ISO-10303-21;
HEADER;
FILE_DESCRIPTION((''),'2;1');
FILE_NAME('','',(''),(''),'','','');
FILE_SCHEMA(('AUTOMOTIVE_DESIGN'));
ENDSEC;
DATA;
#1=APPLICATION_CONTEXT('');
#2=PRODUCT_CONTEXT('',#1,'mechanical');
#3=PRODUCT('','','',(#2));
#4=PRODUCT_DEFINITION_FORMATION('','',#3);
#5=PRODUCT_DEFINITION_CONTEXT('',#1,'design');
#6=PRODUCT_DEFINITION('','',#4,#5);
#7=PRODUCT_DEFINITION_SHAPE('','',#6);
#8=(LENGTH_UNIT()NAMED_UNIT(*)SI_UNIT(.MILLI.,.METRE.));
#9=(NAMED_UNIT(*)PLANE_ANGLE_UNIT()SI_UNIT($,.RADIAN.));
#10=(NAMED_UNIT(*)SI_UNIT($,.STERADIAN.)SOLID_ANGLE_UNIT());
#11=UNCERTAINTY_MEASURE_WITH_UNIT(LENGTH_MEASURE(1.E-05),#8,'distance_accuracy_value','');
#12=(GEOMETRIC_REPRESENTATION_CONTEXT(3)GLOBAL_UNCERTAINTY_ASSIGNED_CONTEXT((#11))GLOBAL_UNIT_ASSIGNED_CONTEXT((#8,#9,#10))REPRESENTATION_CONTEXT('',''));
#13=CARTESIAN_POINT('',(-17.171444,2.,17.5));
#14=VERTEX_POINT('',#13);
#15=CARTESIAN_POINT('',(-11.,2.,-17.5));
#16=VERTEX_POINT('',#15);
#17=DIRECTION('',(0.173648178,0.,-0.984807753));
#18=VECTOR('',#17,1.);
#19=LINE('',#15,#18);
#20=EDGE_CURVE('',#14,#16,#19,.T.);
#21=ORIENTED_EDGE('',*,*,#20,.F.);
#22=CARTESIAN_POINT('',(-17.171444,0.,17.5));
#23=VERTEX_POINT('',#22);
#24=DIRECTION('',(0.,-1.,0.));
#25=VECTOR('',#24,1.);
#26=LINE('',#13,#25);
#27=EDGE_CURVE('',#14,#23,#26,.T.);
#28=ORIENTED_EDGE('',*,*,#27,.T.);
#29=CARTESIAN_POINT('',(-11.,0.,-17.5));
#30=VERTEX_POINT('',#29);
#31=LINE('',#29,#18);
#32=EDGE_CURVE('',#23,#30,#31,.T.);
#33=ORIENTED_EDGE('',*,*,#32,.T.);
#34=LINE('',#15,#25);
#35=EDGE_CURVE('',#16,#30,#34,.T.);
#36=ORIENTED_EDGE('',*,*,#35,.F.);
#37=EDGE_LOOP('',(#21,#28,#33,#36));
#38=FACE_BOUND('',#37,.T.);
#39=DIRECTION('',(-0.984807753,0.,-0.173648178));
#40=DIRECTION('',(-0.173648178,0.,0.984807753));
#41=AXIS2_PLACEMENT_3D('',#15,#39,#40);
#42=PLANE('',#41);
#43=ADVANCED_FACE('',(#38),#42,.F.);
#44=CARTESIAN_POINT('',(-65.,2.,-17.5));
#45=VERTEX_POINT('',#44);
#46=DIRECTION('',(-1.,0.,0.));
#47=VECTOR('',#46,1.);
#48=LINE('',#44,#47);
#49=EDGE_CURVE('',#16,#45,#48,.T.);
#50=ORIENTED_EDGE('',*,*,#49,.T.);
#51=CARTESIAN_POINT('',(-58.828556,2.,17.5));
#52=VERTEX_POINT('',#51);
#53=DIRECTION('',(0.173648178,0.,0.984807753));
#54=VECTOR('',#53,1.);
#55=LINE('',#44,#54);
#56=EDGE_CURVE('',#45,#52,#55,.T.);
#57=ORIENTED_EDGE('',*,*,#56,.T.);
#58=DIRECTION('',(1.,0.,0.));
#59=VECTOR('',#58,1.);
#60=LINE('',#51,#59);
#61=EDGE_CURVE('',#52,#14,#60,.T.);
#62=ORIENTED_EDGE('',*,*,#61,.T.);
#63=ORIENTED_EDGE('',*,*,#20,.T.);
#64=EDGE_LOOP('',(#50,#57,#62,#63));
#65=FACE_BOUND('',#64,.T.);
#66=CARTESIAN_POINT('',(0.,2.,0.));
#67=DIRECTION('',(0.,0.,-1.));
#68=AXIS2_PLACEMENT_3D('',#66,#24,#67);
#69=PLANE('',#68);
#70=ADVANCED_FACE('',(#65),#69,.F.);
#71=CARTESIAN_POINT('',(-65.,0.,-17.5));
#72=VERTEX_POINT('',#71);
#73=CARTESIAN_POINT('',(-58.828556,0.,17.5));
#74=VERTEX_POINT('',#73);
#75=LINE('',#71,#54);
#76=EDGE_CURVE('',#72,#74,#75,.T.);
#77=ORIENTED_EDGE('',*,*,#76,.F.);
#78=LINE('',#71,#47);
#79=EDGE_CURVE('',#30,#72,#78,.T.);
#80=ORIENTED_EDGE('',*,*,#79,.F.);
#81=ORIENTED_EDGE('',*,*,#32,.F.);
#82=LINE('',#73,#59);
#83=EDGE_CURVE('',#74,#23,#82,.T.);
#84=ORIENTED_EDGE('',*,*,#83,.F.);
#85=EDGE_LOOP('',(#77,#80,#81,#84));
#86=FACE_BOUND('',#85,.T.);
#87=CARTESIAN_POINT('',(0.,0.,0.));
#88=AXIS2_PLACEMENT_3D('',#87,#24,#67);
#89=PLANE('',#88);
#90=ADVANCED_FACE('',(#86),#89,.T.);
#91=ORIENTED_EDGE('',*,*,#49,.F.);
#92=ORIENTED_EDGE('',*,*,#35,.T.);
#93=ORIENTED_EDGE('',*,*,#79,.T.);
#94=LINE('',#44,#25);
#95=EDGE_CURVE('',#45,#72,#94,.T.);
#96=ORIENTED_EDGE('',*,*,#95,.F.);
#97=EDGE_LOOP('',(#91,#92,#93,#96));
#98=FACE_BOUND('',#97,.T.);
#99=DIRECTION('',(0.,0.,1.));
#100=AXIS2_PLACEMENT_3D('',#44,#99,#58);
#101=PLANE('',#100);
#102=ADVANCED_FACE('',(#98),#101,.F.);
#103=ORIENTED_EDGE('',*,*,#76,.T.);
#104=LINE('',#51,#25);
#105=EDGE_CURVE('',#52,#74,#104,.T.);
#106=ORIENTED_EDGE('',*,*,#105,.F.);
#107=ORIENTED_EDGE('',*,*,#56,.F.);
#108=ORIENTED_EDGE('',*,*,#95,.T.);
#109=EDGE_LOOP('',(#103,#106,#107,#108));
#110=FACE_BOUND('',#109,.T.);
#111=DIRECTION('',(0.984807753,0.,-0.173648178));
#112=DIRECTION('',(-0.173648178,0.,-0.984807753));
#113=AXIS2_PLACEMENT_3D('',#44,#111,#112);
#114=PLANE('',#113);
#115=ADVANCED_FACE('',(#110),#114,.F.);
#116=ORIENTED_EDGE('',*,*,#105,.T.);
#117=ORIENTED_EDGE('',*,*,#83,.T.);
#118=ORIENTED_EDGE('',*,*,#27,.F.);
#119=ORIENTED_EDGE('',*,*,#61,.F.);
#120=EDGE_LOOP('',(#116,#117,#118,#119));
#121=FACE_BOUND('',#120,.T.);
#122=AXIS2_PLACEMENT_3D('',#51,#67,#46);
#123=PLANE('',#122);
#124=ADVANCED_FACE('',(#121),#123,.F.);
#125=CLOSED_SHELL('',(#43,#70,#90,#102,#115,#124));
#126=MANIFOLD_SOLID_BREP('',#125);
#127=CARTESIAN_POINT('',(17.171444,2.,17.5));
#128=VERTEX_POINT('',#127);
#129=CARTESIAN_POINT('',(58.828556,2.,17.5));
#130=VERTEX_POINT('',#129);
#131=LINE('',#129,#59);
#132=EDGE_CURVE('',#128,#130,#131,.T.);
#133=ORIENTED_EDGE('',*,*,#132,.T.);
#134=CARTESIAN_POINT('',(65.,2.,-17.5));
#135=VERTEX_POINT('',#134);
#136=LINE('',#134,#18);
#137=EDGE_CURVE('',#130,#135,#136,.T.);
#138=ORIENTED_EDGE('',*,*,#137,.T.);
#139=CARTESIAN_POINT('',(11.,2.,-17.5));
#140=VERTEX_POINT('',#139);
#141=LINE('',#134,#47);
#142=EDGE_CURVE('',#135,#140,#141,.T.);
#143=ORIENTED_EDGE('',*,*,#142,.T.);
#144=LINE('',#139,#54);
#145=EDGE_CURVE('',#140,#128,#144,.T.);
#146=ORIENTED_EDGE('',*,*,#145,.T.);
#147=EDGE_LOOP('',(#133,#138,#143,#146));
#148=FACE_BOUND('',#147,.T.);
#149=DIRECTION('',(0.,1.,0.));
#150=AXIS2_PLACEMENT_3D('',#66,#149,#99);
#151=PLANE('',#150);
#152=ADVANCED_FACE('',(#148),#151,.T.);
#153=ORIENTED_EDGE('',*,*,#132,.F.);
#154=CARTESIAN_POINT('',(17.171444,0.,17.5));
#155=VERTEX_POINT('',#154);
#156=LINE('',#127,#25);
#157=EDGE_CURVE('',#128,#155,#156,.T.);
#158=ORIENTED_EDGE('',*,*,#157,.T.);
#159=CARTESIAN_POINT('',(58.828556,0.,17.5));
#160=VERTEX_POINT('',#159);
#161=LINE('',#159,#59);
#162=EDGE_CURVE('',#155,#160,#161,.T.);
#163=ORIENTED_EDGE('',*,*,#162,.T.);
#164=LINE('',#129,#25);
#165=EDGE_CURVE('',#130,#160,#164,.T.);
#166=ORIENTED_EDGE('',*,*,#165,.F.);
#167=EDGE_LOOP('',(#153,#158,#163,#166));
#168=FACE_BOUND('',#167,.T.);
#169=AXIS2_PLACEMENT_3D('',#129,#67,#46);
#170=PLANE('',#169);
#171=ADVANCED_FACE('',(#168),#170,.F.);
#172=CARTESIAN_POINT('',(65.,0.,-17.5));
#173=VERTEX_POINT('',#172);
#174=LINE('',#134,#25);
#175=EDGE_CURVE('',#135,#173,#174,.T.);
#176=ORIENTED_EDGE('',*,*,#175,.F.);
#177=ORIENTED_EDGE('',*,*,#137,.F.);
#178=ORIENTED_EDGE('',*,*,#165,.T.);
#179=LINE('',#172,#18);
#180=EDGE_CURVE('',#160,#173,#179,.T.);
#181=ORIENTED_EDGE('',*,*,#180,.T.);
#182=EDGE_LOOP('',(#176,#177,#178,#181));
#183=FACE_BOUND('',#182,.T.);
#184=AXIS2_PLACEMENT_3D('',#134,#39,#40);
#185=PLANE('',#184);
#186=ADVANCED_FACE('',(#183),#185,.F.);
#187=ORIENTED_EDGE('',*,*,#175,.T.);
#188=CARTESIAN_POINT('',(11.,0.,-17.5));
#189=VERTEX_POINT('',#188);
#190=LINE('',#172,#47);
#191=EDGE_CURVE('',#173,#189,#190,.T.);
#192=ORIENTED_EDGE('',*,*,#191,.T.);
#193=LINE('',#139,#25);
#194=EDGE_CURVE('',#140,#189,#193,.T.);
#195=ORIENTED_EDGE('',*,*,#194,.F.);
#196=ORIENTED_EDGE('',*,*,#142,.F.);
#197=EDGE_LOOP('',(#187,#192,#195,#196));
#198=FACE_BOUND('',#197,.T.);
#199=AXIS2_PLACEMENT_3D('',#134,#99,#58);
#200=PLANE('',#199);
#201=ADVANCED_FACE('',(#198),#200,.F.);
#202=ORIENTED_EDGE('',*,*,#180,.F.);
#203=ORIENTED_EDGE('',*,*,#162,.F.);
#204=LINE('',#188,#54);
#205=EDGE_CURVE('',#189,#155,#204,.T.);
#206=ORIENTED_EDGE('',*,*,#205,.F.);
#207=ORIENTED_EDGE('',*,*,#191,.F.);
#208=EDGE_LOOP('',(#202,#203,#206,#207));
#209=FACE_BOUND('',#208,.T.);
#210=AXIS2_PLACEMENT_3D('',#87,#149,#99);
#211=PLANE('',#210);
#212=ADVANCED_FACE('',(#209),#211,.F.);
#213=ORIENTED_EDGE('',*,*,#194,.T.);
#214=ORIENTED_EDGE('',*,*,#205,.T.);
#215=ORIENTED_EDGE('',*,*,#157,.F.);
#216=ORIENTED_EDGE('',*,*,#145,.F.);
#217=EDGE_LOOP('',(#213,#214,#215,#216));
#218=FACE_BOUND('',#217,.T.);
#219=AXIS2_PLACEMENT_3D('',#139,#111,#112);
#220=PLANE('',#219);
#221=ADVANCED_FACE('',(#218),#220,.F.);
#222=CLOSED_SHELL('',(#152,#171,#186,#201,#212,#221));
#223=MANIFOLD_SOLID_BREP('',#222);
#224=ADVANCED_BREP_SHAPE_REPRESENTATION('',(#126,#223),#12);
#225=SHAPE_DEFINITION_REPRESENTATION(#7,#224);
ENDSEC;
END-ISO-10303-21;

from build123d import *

# Parameters (mm, degrees)
EXTRUDE_1_DEPTH   = 2
EXTRUDE_1_2_DEPTH = 2


with BuildPart() as part:
    # 草图1 → 凸台-拉伸1 (new body)
    with BuildSketch(Plane(origin=(0, 0, 0), x_dir=(1, 0, 0), z_dir=(0, 1, 0))):
        Polygon((-65, 17.5), (-58.828555675, -17.5), (-17.171444325, -17.5), (-11, 17.5), align=None)
    extrude(amount=EXTRUDE_1_DEPTH)


with BuildPart() as body_2:
    # 草图1 → Extrude 1 2 (new body)
    with BuildSketch(Plane(origin=(0, 0, 0), x_dir=(1, 0, 0), z_dir=(0, 1, 0))):
        Polygon((58.828555675, -17.5), (17.171444325, -17.5), (11, 17.5), (65, 17.5), align=None)
    extrude(amount=EXTRUDE_1_2_DEPTH)


solid = Compound([part.part, body_2.part])
